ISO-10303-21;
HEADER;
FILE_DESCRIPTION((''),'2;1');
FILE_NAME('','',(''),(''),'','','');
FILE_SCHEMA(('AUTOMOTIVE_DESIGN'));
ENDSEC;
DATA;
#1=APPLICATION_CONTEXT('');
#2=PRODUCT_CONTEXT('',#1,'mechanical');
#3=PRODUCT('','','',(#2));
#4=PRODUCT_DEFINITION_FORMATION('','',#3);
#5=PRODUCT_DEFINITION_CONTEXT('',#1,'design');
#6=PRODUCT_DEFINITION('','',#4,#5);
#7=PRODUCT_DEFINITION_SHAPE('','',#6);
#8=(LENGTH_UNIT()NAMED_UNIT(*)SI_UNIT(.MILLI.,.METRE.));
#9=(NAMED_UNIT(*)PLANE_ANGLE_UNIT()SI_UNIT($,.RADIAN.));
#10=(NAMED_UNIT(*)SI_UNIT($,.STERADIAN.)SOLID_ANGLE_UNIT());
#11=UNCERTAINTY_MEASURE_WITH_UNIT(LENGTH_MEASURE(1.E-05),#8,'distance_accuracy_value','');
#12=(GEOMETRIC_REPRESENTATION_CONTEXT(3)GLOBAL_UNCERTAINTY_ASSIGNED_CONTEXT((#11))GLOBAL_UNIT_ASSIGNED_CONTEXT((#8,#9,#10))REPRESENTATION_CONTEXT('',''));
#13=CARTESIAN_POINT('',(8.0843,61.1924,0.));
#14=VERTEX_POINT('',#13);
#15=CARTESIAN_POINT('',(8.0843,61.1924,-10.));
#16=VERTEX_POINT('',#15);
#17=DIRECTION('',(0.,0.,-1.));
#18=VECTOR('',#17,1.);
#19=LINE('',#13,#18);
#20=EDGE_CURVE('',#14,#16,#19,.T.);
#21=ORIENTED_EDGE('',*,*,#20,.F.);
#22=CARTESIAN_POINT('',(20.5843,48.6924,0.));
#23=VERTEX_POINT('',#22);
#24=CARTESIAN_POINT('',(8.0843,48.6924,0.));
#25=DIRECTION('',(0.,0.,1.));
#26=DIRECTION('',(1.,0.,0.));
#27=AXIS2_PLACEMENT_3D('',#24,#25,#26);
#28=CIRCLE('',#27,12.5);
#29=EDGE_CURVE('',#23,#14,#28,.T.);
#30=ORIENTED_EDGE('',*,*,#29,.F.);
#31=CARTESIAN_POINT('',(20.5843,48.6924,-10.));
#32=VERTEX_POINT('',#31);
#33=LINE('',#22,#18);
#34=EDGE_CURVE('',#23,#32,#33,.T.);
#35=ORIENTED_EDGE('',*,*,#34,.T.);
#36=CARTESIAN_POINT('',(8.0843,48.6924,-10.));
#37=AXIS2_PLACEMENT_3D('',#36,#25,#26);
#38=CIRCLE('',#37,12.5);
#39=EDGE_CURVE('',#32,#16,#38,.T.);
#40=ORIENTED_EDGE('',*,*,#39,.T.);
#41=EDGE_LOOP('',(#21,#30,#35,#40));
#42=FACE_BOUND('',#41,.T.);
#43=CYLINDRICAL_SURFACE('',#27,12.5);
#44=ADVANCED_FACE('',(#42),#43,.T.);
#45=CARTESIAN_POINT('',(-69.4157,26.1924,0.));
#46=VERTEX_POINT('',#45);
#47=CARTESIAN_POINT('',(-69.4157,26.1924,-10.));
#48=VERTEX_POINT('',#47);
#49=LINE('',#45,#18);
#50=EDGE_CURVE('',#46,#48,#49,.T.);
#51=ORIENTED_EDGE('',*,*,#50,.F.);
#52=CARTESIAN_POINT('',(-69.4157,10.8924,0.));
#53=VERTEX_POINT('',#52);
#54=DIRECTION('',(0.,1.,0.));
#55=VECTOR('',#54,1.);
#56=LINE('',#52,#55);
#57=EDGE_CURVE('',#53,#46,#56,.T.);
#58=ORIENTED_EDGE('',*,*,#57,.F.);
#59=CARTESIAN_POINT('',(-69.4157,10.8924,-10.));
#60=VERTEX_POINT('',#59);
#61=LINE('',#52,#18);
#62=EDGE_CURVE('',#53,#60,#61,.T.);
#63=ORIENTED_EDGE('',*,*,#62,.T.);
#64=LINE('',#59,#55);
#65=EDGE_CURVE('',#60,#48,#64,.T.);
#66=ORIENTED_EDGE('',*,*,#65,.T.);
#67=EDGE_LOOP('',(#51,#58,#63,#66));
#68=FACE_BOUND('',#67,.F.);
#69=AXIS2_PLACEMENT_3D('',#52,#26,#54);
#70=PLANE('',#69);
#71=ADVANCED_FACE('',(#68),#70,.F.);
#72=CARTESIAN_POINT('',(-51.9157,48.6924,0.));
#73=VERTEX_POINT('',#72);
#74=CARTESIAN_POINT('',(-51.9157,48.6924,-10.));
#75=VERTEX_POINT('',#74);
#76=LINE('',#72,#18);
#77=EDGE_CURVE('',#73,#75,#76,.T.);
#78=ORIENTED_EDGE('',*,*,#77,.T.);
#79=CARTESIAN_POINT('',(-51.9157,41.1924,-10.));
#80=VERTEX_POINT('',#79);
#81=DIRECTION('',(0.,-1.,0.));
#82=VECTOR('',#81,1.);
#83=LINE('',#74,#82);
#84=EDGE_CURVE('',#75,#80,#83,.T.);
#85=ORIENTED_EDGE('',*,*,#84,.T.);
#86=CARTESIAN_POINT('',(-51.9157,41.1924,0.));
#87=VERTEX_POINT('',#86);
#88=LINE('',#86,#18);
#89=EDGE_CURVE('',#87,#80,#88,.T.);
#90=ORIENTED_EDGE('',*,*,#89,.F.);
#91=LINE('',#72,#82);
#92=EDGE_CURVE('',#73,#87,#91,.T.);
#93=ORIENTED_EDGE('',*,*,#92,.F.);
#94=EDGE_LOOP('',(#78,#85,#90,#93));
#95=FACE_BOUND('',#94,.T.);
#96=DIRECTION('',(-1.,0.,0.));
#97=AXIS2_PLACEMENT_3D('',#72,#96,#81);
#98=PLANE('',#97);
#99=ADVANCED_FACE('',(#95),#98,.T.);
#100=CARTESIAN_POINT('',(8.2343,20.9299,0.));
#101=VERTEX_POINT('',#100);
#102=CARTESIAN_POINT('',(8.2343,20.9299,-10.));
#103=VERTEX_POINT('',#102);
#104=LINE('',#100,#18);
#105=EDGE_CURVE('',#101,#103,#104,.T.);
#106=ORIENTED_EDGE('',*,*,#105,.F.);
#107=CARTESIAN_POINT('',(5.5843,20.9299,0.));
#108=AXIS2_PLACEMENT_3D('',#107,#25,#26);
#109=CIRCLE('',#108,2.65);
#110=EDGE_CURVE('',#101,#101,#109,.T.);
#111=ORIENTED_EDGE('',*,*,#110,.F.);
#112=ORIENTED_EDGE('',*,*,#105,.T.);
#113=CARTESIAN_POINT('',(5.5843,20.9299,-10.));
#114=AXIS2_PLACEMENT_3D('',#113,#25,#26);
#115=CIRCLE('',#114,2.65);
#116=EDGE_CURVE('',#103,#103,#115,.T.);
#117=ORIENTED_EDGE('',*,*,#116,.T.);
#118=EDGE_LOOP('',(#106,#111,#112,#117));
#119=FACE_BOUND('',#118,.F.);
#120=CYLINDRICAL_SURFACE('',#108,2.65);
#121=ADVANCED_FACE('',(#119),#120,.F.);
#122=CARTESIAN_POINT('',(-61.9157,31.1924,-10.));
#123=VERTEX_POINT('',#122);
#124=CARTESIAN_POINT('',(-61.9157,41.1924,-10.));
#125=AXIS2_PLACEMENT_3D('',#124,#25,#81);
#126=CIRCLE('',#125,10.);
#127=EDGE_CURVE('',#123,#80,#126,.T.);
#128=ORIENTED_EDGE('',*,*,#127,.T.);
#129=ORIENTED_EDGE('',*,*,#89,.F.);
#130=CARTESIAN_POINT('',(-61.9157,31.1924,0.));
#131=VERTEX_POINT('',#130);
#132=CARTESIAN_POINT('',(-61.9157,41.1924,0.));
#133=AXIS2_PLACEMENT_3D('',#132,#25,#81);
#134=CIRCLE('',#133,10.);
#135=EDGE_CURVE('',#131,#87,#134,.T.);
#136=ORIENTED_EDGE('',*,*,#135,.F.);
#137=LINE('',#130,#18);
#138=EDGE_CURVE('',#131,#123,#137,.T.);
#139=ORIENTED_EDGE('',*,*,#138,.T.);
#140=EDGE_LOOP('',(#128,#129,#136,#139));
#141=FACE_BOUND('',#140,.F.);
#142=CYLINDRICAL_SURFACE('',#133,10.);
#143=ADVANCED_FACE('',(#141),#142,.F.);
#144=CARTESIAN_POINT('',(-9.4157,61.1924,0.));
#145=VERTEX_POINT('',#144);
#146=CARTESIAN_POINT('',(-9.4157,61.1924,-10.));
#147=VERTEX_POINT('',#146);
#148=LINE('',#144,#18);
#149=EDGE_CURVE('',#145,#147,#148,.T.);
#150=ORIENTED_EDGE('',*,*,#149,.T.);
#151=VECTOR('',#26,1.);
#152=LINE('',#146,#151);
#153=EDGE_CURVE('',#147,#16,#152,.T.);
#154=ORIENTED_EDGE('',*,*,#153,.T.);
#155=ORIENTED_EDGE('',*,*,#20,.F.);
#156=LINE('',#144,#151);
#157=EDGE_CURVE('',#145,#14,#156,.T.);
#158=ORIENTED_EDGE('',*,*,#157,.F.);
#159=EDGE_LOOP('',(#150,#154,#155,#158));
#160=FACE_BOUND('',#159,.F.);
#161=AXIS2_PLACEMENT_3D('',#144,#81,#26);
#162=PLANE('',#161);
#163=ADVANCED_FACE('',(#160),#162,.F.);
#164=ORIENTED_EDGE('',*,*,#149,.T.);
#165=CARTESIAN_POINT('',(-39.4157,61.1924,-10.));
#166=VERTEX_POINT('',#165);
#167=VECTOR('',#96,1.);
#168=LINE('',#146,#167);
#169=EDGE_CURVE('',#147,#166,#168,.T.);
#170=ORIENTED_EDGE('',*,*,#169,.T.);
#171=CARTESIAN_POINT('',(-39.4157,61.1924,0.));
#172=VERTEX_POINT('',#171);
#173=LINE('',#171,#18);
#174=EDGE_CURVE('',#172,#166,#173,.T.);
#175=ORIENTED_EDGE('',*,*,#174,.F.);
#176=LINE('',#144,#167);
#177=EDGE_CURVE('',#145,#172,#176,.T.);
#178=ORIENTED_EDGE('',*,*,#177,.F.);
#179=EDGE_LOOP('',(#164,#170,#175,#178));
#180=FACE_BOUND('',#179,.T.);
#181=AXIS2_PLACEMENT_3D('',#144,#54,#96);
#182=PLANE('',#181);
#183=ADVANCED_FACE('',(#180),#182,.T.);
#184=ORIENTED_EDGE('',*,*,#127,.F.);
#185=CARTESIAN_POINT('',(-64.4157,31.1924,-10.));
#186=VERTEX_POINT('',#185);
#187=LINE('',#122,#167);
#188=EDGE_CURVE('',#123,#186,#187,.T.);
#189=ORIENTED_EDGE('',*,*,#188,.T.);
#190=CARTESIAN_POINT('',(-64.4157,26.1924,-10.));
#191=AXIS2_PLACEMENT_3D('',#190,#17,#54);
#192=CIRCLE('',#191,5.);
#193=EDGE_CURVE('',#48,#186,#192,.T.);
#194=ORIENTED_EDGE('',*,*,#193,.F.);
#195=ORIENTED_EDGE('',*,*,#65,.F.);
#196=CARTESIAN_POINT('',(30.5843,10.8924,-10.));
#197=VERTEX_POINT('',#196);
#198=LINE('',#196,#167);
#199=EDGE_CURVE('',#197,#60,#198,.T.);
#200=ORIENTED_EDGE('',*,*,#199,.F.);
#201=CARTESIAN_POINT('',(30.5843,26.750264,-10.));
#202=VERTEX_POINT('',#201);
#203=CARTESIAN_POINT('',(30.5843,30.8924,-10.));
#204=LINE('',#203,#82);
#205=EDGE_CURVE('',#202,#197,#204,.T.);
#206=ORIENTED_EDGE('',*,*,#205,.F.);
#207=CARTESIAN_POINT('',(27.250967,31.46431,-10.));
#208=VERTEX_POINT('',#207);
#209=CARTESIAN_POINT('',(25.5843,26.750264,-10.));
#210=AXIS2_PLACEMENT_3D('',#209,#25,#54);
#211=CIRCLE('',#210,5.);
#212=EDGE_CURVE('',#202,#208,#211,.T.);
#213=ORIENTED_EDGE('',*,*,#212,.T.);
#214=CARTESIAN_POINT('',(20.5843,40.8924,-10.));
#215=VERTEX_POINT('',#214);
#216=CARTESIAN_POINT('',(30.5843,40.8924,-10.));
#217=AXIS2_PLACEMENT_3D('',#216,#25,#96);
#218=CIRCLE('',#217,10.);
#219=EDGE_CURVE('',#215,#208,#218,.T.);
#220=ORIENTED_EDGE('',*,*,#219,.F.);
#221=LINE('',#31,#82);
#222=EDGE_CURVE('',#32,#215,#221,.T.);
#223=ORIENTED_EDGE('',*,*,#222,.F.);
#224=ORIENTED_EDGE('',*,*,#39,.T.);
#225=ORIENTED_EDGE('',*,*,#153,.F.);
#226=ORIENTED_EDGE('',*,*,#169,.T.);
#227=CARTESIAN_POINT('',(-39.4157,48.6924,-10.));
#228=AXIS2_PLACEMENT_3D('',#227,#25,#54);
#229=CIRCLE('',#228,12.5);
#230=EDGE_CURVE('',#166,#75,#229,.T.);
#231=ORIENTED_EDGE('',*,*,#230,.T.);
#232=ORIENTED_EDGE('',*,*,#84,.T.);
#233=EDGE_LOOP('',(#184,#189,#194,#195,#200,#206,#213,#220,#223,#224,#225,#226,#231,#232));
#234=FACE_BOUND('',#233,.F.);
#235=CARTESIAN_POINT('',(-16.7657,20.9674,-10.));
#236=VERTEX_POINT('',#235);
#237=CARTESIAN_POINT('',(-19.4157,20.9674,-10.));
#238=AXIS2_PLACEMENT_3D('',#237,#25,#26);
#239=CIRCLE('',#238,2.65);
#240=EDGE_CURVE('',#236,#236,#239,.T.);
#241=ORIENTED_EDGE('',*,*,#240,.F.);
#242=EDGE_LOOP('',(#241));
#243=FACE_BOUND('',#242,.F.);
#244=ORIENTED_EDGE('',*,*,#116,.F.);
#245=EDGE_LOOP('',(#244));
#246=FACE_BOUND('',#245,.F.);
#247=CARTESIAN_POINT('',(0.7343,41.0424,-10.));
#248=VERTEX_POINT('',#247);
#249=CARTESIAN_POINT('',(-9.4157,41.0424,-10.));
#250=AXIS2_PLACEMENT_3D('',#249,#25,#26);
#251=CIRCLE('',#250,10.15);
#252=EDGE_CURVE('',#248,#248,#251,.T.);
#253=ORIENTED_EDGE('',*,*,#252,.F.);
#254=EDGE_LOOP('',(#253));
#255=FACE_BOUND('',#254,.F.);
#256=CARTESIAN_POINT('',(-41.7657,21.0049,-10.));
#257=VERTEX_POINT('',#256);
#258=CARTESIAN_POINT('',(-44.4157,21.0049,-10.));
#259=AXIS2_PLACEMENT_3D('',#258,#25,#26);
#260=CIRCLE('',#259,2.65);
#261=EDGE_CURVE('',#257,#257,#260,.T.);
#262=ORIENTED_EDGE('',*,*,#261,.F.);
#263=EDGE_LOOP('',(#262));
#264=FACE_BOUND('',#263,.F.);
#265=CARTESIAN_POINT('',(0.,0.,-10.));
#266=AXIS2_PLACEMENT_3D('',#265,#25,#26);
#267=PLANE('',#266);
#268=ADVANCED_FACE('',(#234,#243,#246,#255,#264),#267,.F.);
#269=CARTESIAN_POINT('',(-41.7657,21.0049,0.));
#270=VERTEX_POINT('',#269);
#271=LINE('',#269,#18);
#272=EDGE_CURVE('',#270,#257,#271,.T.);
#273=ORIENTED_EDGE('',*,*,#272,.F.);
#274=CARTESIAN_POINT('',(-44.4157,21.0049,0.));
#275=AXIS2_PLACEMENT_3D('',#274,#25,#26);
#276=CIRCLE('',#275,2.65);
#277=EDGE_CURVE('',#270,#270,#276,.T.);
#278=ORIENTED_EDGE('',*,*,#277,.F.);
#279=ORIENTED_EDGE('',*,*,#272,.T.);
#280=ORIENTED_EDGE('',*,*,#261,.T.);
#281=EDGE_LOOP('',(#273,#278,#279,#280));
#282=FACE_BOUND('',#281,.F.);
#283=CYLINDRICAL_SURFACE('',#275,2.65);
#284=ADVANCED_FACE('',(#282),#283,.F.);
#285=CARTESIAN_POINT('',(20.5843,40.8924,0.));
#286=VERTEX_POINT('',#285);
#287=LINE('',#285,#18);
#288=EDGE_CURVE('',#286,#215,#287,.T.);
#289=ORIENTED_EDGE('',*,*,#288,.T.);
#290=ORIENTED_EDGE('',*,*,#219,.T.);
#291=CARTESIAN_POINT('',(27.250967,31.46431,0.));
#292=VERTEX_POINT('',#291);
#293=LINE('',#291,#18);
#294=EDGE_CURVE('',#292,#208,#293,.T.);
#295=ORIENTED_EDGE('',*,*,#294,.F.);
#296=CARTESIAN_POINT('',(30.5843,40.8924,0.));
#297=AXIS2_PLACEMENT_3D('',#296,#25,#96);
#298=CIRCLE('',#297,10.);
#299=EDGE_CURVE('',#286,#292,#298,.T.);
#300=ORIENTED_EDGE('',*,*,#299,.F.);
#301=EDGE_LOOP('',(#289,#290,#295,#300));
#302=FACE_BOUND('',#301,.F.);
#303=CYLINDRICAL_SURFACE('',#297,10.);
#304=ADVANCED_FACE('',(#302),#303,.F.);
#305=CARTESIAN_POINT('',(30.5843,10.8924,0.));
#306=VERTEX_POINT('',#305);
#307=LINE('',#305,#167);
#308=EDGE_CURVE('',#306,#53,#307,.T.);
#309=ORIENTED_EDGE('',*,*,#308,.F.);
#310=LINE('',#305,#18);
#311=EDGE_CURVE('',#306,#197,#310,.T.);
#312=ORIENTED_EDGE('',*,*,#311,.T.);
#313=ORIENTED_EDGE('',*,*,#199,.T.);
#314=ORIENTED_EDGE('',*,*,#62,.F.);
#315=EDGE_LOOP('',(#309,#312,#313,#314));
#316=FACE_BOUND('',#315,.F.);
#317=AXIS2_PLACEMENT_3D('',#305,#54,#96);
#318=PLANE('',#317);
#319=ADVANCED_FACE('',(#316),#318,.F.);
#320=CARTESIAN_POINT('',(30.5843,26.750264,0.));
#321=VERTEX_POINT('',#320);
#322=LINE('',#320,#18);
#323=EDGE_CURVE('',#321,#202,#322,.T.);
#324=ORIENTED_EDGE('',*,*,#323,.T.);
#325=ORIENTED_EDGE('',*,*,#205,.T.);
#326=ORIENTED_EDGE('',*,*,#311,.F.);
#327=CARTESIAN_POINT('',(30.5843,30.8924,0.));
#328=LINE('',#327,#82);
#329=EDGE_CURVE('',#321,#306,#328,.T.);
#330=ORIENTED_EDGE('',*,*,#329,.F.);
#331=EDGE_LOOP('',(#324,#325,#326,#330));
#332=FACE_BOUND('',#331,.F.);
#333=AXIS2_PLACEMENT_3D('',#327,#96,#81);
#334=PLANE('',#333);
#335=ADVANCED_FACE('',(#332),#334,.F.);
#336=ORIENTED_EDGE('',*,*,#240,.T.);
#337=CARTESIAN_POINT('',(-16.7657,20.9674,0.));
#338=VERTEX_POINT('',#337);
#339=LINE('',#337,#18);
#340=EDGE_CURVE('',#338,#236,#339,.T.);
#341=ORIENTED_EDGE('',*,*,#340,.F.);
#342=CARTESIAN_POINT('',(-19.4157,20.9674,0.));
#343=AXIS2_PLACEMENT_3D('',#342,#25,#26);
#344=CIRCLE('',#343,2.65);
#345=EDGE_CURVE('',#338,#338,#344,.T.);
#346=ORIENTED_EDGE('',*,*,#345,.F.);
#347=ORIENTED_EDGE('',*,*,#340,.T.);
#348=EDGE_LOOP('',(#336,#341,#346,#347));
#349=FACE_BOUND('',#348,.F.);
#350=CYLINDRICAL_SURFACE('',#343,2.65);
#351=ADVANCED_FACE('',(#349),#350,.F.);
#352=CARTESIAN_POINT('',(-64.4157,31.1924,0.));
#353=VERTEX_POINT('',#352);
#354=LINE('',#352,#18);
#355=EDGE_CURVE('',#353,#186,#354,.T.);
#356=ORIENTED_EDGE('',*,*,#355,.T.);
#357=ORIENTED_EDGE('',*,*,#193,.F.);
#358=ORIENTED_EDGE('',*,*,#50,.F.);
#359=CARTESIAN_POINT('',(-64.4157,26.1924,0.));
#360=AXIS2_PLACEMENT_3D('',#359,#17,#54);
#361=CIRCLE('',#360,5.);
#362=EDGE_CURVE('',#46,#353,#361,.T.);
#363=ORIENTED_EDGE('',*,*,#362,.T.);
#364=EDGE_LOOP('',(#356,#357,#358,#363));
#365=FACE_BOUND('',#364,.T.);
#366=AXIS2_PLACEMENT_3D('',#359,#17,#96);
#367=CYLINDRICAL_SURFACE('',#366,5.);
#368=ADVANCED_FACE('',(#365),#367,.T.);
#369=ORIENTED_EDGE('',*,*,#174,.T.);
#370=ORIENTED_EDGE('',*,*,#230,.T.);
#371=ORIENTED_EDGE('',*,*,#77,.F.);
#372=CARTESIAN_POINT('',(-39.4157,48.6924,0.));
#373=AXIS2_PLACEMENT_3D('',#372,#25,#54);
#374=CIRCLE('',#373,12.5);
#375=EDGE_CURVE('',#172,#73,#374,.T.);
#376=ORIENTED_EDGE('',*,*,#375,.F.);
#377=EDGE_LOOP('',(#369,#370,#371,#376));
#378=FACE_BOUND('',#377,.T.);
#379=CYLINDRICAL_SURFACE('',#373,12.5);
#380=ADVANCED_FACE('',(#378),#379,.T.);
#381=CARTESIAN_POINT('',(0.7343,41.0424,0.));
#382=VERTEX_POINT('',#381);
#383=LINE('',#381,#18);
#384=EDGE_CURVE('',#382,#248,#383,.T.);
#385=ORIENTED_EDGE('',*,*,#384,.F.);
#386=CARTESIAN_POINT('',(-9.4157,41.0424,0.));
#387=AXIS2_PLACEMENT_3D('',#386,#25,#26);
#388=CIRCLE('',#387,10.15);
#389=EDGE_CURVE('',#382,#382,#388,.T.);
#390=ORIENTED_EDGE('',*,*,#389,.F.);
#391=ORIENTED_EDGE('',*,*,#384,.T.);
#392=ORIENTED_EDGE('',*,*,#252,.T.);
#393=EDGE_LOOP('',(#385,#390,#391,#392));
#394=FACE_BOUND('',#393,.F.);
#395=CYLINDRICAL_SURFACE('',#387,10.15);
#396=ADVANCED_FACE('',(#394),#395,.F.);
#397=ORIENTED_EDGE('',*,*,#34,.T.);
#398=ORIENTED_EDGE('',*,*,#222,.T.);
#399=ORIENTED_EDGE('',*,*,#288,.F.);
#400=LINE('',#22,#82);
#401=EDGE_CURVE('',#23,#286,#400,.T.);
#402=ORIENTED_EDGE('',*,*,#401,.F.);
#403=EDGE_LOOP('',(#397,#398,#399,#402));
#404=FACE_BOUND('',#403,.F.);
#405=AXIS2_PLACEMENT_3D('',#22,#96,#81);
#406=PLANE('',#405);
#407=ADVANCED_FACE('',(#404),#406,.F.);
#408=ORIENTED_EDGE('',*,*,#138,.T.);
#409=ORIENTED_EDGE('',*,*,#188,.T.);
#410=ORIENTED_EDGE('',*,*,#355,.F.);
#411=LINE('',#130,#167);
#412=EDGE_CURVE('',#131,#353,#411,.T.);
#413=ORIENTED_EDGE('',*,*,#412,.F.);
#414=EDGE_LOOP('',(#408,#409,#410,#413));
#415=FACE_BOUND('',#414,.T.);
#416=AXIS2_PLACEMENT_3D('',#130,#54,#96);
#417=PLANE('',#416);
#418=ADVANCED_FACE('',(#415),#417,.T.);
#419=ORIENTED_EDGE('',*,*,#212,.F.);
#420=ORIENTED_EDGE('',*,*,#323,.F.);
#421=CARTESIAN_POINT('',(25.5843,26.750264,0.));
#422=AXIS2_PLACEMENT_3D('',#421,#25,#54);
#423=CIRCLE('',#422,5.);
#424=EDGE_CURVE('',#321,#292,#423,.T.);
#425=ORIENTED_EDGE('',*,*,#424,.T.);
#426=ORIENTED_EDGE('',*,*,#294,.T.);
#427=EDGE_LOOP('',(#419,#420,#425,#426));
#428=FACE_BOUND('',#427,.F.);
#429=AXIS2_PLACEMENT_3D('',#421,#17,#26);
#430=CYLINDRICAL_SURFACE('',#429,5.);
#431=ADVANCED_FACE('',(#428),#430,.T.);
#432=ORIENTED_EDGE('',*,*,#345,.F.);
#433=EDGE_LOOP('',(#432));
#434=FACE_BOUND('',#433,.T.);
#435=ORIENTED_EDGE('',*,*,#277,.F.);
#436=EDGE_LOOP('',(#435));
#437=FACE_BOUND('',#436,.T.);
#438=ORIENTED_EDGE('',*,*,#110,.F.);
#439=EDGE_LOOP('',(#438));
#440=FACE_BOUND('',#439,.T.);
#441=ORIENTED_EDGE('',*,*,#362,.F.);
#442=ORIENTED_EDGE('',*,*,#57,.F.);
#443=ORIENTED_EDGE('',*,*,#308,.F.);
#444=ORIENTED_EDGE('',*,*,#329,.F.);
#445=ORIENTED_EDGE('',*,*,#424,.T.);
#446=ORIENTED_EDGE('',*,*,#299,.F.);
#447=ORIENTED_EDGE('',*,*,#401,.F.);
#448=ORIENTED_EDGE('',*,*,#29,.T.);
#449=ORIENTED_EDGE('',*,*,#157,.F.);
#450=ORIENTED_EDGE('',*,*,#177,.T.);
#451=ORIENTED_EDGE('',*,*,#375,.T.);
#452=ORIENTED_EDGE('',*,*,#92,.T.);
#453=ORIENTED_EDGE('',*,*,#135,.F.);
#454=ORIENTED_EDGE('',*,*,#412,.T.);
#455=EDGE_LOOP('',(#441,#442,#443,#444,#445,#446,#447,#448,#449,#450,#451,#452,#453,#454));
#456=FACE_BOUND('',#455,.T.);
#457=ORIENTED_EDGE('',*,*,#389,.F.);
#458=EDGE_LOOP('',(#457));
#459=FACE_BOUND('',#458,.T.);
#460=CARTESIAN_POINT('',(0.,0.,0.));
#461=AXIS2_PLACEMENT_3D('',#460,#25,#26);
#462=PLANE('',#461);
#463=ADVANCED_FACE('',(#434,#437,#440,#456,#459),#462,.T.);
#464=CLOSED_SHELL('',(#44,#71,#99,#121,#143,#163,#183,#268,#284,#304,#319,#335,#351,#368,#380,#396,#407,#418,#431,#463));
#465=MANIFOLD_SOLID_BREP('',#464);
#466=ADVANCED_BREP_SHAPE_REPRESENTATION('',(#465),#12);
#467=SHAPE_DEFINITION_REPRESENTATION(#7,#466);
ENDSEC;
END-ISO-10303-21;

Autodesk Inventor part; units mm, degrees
ref_plane "YZ Plane" through (0, 0, 0) normal (1, 0, 0) x (0, 1, 0)
ref_plane "XZ Plane" through (0, 0, 0) normal (0, 1, 0) x (-1, 0, 0)
ref_plane "XY Plane" through (0, 0, 0) normal (0, 0, 1) x (1, 0, 0)
sketch "Sketch1" plane through (0, 0, 0) normal (0, 0, 1) x (1, 0, 0)
  line L0 (30.5843, 30.8924) -> (30.5843, 10.8924)
  line L1 (30.5843, 10.8924) -> (-69.4157, 10.8924)
  line L2 (-69.4157, 10.8924) -> (-69.4157, 31.1924)
  line L3 (-69.4157, 21.0424) -> (30.5843, 20.8924) construction
  line L4 (-9.4157, 61.1924) -> (-39.4157, 61.1924)
  line L5 (-51.9157, 48.6924) -> (-51.9157, 41.1924)
  arc A0 (-39.4157, 61.1924) -> (-51.9157, 48.6924) centre (-39.4157, 48.6924) ccw
  line L6 (30.5843, 30.8924) -> (30.5843, 30.8924)
  line L7 (-61.9157, 31.1924) -> (-69.4157, 31.1924)
  arc A1 (-61.9157, 31.1924) -> (-51.9157, 41.1924) centre (-61.9157, 41.1924) ccw
  circle A2 centre (-19.4157, 20.9674) radius 2.65
  line L8 (-69.4157, 21.0424) -> (-19.4157, 20.9674) construction
  line L9 (-19.4157, 20.9674) -> (30.5843, 20.8924) construction
  circle A3 centre (-44.4157, 21.0049) radius 2.65
  circle A4 centre (5.5843, 20.9299) radius 2.65
  line L10 (-9.4157, 51.1924) -> (-9.4157, 30.8924) construction
  line L11 (-9.4157, 51.1924) -> (-9.4157, 30.8924) construction
  circle A5 centre (-9.4157, 41.0424) radius 10.15
  line L12 (-9.4157, 61.1924) -> (8.0843, 61.1924)
  line L13 (20.5843, 48.6924) -> (20.5843, 40.8924)
  arc A6 (20.5843, 48.6924) -> (8.0843, 61.1924) centre (8.0843, 48.6924) ccw
  arc A7 (20.5843, 40.8924) -> (30.5843, 30.8924) centre (30.5843, 40.8924) ccw
  point P0 (0, 0)
  point P1 (20.5843, 61.1924)
  point P2 (30.5843, 30.8924)
  dimension "d0" = 100
  dimension "d1" = 20
  dimension "d2" = 20.3
  dimension "d6" = 10
  dimension "d9" = 12.5
  dimension "d10" = 30
  dimension "d11" = 10
  dimension "d12" = 40
  dimension "d13" = 5.3
  dimension "d14" = 5.3
  dimension "d15" = 5.3
  dimension "d18" = 30
  dimension "d19" = 12.5
  dimension "d20" = 10
extrude "Extrusion1" add sketch "Sketch1" against normal blind 10
fillet "Fillet1" radius 5 2 edges at (-69.4157, 31.1924, -5) (30.5843, 30.8924, -5)
properties part number "bottomhingeholder"
